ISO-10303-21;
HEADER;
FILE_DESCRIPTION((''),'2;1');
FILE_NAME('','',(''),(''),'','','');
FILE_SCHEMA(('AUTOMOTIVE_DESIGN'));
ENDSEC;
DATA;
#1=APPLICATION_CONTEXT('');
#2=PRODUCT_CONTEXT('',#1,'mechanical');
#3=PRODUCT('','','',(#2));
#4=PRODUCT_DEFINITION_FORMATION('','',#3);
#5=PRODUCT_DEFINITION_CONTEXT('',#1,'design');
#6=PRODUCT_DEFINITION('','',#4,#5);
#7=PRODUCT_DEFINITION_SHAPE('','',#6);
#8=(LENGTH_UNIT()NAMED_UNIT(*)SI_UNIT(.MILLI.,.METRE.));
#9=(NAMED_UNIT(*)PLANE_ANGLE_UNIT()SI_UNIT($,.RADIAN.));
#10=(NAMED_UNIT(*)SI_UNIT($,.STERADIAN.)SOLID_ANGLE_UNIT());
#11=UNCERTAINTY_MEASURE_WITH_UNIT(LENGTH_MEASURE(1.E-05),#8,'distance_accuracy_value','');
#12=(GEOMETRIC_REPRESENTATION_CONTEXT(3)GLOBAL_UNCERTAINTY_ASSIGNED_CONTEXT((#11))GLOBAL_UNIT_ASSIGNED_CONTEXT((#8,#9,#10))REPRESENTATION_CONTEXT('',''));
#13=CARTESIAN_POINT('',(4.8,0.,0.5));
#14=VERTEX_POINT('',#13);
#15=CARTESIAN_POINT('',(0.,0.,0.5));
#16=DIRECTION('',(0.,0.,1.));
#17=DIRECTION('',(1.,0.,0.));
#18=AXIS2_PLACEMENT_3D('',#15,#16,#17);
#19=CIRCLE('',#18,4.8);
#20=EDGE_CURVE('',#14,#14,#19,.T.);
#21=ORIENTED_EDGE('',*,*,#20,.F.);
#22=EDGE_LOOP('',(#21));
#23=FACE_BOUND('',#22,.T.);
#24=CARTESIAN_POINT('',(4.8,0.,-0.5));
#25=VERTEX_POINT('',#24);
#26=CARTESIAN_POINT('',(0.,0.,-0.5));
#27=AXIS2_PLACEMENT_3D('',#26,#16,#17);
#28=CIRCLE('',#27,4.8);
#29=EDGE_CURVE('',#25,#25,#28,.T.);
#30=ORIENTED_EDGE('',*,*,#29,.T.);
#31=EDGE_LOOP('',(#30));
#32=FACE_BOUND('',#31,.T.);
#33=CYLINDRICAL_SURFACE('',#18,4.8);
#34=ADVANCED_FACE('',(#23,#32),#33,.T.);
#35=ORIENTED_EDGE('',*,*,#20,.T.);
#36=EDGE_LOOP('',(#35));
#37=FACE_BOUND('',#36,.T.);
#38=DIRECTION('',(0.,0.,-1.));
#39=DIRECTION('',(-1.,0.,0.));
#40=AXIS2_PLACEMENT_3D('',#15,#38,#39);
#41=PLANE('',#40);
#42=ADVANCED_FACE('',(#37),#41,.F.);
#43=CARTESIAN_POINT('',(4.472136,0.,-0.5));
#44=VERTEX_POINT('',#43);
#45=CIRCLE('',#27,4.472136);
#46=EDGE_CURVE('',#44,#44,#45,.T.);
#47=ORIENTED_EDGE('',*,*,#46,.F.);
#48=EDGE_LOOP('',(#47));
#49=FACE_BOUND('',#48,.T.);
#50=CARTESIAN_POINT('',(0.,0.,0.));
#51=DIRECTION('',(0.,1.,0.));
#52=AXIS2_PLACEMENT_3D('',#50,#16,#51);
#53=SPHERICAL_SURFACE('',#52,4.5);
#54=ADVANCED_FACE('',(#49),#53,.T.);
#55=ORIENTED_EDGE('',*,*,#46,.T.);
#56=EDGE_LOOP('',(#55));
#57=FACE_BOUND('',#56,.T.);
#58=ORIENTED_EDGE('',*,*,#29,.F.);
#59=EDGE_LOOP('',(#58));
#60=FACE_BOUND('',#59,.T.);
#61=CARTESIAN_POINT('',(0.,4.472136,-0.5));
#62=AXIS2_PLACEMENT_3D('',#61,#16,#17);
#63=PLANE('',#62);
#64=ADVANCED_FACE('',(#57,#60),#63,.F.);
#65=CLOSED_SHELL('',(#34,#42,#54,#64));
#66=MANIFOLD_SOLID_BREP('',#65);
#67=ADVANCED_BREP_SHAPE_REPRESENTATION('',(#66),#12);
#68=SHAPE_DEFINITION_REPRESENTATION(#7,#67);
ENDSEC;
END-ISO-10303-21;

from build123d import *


with BuildPart() as part:
    # Esquisse2 → Révolution1 (revolve)
    with BuildSketch(Plane(origin=(0, 0, 0), x_dir=(0, 0, -1), z_dir=(1, 0, 0))):
        with BuildLine():
            Line((-0.5, 0), (4.5, 0))
            ThreePointArc((4.5, 0), (3.354101966, 3), (0.5, 4.472135955))
            Line((0.5, 4.472135955), (0.5, 4.8))
            Line((0.5, 4.8), (-0.5, 4.8))
            Line((-0.5, 4.8), (-0.5, 0))
        make_face()
    revolve(axis=Axis((0, 0, 0.5), (0, 0, -1)))


solid = part.part
